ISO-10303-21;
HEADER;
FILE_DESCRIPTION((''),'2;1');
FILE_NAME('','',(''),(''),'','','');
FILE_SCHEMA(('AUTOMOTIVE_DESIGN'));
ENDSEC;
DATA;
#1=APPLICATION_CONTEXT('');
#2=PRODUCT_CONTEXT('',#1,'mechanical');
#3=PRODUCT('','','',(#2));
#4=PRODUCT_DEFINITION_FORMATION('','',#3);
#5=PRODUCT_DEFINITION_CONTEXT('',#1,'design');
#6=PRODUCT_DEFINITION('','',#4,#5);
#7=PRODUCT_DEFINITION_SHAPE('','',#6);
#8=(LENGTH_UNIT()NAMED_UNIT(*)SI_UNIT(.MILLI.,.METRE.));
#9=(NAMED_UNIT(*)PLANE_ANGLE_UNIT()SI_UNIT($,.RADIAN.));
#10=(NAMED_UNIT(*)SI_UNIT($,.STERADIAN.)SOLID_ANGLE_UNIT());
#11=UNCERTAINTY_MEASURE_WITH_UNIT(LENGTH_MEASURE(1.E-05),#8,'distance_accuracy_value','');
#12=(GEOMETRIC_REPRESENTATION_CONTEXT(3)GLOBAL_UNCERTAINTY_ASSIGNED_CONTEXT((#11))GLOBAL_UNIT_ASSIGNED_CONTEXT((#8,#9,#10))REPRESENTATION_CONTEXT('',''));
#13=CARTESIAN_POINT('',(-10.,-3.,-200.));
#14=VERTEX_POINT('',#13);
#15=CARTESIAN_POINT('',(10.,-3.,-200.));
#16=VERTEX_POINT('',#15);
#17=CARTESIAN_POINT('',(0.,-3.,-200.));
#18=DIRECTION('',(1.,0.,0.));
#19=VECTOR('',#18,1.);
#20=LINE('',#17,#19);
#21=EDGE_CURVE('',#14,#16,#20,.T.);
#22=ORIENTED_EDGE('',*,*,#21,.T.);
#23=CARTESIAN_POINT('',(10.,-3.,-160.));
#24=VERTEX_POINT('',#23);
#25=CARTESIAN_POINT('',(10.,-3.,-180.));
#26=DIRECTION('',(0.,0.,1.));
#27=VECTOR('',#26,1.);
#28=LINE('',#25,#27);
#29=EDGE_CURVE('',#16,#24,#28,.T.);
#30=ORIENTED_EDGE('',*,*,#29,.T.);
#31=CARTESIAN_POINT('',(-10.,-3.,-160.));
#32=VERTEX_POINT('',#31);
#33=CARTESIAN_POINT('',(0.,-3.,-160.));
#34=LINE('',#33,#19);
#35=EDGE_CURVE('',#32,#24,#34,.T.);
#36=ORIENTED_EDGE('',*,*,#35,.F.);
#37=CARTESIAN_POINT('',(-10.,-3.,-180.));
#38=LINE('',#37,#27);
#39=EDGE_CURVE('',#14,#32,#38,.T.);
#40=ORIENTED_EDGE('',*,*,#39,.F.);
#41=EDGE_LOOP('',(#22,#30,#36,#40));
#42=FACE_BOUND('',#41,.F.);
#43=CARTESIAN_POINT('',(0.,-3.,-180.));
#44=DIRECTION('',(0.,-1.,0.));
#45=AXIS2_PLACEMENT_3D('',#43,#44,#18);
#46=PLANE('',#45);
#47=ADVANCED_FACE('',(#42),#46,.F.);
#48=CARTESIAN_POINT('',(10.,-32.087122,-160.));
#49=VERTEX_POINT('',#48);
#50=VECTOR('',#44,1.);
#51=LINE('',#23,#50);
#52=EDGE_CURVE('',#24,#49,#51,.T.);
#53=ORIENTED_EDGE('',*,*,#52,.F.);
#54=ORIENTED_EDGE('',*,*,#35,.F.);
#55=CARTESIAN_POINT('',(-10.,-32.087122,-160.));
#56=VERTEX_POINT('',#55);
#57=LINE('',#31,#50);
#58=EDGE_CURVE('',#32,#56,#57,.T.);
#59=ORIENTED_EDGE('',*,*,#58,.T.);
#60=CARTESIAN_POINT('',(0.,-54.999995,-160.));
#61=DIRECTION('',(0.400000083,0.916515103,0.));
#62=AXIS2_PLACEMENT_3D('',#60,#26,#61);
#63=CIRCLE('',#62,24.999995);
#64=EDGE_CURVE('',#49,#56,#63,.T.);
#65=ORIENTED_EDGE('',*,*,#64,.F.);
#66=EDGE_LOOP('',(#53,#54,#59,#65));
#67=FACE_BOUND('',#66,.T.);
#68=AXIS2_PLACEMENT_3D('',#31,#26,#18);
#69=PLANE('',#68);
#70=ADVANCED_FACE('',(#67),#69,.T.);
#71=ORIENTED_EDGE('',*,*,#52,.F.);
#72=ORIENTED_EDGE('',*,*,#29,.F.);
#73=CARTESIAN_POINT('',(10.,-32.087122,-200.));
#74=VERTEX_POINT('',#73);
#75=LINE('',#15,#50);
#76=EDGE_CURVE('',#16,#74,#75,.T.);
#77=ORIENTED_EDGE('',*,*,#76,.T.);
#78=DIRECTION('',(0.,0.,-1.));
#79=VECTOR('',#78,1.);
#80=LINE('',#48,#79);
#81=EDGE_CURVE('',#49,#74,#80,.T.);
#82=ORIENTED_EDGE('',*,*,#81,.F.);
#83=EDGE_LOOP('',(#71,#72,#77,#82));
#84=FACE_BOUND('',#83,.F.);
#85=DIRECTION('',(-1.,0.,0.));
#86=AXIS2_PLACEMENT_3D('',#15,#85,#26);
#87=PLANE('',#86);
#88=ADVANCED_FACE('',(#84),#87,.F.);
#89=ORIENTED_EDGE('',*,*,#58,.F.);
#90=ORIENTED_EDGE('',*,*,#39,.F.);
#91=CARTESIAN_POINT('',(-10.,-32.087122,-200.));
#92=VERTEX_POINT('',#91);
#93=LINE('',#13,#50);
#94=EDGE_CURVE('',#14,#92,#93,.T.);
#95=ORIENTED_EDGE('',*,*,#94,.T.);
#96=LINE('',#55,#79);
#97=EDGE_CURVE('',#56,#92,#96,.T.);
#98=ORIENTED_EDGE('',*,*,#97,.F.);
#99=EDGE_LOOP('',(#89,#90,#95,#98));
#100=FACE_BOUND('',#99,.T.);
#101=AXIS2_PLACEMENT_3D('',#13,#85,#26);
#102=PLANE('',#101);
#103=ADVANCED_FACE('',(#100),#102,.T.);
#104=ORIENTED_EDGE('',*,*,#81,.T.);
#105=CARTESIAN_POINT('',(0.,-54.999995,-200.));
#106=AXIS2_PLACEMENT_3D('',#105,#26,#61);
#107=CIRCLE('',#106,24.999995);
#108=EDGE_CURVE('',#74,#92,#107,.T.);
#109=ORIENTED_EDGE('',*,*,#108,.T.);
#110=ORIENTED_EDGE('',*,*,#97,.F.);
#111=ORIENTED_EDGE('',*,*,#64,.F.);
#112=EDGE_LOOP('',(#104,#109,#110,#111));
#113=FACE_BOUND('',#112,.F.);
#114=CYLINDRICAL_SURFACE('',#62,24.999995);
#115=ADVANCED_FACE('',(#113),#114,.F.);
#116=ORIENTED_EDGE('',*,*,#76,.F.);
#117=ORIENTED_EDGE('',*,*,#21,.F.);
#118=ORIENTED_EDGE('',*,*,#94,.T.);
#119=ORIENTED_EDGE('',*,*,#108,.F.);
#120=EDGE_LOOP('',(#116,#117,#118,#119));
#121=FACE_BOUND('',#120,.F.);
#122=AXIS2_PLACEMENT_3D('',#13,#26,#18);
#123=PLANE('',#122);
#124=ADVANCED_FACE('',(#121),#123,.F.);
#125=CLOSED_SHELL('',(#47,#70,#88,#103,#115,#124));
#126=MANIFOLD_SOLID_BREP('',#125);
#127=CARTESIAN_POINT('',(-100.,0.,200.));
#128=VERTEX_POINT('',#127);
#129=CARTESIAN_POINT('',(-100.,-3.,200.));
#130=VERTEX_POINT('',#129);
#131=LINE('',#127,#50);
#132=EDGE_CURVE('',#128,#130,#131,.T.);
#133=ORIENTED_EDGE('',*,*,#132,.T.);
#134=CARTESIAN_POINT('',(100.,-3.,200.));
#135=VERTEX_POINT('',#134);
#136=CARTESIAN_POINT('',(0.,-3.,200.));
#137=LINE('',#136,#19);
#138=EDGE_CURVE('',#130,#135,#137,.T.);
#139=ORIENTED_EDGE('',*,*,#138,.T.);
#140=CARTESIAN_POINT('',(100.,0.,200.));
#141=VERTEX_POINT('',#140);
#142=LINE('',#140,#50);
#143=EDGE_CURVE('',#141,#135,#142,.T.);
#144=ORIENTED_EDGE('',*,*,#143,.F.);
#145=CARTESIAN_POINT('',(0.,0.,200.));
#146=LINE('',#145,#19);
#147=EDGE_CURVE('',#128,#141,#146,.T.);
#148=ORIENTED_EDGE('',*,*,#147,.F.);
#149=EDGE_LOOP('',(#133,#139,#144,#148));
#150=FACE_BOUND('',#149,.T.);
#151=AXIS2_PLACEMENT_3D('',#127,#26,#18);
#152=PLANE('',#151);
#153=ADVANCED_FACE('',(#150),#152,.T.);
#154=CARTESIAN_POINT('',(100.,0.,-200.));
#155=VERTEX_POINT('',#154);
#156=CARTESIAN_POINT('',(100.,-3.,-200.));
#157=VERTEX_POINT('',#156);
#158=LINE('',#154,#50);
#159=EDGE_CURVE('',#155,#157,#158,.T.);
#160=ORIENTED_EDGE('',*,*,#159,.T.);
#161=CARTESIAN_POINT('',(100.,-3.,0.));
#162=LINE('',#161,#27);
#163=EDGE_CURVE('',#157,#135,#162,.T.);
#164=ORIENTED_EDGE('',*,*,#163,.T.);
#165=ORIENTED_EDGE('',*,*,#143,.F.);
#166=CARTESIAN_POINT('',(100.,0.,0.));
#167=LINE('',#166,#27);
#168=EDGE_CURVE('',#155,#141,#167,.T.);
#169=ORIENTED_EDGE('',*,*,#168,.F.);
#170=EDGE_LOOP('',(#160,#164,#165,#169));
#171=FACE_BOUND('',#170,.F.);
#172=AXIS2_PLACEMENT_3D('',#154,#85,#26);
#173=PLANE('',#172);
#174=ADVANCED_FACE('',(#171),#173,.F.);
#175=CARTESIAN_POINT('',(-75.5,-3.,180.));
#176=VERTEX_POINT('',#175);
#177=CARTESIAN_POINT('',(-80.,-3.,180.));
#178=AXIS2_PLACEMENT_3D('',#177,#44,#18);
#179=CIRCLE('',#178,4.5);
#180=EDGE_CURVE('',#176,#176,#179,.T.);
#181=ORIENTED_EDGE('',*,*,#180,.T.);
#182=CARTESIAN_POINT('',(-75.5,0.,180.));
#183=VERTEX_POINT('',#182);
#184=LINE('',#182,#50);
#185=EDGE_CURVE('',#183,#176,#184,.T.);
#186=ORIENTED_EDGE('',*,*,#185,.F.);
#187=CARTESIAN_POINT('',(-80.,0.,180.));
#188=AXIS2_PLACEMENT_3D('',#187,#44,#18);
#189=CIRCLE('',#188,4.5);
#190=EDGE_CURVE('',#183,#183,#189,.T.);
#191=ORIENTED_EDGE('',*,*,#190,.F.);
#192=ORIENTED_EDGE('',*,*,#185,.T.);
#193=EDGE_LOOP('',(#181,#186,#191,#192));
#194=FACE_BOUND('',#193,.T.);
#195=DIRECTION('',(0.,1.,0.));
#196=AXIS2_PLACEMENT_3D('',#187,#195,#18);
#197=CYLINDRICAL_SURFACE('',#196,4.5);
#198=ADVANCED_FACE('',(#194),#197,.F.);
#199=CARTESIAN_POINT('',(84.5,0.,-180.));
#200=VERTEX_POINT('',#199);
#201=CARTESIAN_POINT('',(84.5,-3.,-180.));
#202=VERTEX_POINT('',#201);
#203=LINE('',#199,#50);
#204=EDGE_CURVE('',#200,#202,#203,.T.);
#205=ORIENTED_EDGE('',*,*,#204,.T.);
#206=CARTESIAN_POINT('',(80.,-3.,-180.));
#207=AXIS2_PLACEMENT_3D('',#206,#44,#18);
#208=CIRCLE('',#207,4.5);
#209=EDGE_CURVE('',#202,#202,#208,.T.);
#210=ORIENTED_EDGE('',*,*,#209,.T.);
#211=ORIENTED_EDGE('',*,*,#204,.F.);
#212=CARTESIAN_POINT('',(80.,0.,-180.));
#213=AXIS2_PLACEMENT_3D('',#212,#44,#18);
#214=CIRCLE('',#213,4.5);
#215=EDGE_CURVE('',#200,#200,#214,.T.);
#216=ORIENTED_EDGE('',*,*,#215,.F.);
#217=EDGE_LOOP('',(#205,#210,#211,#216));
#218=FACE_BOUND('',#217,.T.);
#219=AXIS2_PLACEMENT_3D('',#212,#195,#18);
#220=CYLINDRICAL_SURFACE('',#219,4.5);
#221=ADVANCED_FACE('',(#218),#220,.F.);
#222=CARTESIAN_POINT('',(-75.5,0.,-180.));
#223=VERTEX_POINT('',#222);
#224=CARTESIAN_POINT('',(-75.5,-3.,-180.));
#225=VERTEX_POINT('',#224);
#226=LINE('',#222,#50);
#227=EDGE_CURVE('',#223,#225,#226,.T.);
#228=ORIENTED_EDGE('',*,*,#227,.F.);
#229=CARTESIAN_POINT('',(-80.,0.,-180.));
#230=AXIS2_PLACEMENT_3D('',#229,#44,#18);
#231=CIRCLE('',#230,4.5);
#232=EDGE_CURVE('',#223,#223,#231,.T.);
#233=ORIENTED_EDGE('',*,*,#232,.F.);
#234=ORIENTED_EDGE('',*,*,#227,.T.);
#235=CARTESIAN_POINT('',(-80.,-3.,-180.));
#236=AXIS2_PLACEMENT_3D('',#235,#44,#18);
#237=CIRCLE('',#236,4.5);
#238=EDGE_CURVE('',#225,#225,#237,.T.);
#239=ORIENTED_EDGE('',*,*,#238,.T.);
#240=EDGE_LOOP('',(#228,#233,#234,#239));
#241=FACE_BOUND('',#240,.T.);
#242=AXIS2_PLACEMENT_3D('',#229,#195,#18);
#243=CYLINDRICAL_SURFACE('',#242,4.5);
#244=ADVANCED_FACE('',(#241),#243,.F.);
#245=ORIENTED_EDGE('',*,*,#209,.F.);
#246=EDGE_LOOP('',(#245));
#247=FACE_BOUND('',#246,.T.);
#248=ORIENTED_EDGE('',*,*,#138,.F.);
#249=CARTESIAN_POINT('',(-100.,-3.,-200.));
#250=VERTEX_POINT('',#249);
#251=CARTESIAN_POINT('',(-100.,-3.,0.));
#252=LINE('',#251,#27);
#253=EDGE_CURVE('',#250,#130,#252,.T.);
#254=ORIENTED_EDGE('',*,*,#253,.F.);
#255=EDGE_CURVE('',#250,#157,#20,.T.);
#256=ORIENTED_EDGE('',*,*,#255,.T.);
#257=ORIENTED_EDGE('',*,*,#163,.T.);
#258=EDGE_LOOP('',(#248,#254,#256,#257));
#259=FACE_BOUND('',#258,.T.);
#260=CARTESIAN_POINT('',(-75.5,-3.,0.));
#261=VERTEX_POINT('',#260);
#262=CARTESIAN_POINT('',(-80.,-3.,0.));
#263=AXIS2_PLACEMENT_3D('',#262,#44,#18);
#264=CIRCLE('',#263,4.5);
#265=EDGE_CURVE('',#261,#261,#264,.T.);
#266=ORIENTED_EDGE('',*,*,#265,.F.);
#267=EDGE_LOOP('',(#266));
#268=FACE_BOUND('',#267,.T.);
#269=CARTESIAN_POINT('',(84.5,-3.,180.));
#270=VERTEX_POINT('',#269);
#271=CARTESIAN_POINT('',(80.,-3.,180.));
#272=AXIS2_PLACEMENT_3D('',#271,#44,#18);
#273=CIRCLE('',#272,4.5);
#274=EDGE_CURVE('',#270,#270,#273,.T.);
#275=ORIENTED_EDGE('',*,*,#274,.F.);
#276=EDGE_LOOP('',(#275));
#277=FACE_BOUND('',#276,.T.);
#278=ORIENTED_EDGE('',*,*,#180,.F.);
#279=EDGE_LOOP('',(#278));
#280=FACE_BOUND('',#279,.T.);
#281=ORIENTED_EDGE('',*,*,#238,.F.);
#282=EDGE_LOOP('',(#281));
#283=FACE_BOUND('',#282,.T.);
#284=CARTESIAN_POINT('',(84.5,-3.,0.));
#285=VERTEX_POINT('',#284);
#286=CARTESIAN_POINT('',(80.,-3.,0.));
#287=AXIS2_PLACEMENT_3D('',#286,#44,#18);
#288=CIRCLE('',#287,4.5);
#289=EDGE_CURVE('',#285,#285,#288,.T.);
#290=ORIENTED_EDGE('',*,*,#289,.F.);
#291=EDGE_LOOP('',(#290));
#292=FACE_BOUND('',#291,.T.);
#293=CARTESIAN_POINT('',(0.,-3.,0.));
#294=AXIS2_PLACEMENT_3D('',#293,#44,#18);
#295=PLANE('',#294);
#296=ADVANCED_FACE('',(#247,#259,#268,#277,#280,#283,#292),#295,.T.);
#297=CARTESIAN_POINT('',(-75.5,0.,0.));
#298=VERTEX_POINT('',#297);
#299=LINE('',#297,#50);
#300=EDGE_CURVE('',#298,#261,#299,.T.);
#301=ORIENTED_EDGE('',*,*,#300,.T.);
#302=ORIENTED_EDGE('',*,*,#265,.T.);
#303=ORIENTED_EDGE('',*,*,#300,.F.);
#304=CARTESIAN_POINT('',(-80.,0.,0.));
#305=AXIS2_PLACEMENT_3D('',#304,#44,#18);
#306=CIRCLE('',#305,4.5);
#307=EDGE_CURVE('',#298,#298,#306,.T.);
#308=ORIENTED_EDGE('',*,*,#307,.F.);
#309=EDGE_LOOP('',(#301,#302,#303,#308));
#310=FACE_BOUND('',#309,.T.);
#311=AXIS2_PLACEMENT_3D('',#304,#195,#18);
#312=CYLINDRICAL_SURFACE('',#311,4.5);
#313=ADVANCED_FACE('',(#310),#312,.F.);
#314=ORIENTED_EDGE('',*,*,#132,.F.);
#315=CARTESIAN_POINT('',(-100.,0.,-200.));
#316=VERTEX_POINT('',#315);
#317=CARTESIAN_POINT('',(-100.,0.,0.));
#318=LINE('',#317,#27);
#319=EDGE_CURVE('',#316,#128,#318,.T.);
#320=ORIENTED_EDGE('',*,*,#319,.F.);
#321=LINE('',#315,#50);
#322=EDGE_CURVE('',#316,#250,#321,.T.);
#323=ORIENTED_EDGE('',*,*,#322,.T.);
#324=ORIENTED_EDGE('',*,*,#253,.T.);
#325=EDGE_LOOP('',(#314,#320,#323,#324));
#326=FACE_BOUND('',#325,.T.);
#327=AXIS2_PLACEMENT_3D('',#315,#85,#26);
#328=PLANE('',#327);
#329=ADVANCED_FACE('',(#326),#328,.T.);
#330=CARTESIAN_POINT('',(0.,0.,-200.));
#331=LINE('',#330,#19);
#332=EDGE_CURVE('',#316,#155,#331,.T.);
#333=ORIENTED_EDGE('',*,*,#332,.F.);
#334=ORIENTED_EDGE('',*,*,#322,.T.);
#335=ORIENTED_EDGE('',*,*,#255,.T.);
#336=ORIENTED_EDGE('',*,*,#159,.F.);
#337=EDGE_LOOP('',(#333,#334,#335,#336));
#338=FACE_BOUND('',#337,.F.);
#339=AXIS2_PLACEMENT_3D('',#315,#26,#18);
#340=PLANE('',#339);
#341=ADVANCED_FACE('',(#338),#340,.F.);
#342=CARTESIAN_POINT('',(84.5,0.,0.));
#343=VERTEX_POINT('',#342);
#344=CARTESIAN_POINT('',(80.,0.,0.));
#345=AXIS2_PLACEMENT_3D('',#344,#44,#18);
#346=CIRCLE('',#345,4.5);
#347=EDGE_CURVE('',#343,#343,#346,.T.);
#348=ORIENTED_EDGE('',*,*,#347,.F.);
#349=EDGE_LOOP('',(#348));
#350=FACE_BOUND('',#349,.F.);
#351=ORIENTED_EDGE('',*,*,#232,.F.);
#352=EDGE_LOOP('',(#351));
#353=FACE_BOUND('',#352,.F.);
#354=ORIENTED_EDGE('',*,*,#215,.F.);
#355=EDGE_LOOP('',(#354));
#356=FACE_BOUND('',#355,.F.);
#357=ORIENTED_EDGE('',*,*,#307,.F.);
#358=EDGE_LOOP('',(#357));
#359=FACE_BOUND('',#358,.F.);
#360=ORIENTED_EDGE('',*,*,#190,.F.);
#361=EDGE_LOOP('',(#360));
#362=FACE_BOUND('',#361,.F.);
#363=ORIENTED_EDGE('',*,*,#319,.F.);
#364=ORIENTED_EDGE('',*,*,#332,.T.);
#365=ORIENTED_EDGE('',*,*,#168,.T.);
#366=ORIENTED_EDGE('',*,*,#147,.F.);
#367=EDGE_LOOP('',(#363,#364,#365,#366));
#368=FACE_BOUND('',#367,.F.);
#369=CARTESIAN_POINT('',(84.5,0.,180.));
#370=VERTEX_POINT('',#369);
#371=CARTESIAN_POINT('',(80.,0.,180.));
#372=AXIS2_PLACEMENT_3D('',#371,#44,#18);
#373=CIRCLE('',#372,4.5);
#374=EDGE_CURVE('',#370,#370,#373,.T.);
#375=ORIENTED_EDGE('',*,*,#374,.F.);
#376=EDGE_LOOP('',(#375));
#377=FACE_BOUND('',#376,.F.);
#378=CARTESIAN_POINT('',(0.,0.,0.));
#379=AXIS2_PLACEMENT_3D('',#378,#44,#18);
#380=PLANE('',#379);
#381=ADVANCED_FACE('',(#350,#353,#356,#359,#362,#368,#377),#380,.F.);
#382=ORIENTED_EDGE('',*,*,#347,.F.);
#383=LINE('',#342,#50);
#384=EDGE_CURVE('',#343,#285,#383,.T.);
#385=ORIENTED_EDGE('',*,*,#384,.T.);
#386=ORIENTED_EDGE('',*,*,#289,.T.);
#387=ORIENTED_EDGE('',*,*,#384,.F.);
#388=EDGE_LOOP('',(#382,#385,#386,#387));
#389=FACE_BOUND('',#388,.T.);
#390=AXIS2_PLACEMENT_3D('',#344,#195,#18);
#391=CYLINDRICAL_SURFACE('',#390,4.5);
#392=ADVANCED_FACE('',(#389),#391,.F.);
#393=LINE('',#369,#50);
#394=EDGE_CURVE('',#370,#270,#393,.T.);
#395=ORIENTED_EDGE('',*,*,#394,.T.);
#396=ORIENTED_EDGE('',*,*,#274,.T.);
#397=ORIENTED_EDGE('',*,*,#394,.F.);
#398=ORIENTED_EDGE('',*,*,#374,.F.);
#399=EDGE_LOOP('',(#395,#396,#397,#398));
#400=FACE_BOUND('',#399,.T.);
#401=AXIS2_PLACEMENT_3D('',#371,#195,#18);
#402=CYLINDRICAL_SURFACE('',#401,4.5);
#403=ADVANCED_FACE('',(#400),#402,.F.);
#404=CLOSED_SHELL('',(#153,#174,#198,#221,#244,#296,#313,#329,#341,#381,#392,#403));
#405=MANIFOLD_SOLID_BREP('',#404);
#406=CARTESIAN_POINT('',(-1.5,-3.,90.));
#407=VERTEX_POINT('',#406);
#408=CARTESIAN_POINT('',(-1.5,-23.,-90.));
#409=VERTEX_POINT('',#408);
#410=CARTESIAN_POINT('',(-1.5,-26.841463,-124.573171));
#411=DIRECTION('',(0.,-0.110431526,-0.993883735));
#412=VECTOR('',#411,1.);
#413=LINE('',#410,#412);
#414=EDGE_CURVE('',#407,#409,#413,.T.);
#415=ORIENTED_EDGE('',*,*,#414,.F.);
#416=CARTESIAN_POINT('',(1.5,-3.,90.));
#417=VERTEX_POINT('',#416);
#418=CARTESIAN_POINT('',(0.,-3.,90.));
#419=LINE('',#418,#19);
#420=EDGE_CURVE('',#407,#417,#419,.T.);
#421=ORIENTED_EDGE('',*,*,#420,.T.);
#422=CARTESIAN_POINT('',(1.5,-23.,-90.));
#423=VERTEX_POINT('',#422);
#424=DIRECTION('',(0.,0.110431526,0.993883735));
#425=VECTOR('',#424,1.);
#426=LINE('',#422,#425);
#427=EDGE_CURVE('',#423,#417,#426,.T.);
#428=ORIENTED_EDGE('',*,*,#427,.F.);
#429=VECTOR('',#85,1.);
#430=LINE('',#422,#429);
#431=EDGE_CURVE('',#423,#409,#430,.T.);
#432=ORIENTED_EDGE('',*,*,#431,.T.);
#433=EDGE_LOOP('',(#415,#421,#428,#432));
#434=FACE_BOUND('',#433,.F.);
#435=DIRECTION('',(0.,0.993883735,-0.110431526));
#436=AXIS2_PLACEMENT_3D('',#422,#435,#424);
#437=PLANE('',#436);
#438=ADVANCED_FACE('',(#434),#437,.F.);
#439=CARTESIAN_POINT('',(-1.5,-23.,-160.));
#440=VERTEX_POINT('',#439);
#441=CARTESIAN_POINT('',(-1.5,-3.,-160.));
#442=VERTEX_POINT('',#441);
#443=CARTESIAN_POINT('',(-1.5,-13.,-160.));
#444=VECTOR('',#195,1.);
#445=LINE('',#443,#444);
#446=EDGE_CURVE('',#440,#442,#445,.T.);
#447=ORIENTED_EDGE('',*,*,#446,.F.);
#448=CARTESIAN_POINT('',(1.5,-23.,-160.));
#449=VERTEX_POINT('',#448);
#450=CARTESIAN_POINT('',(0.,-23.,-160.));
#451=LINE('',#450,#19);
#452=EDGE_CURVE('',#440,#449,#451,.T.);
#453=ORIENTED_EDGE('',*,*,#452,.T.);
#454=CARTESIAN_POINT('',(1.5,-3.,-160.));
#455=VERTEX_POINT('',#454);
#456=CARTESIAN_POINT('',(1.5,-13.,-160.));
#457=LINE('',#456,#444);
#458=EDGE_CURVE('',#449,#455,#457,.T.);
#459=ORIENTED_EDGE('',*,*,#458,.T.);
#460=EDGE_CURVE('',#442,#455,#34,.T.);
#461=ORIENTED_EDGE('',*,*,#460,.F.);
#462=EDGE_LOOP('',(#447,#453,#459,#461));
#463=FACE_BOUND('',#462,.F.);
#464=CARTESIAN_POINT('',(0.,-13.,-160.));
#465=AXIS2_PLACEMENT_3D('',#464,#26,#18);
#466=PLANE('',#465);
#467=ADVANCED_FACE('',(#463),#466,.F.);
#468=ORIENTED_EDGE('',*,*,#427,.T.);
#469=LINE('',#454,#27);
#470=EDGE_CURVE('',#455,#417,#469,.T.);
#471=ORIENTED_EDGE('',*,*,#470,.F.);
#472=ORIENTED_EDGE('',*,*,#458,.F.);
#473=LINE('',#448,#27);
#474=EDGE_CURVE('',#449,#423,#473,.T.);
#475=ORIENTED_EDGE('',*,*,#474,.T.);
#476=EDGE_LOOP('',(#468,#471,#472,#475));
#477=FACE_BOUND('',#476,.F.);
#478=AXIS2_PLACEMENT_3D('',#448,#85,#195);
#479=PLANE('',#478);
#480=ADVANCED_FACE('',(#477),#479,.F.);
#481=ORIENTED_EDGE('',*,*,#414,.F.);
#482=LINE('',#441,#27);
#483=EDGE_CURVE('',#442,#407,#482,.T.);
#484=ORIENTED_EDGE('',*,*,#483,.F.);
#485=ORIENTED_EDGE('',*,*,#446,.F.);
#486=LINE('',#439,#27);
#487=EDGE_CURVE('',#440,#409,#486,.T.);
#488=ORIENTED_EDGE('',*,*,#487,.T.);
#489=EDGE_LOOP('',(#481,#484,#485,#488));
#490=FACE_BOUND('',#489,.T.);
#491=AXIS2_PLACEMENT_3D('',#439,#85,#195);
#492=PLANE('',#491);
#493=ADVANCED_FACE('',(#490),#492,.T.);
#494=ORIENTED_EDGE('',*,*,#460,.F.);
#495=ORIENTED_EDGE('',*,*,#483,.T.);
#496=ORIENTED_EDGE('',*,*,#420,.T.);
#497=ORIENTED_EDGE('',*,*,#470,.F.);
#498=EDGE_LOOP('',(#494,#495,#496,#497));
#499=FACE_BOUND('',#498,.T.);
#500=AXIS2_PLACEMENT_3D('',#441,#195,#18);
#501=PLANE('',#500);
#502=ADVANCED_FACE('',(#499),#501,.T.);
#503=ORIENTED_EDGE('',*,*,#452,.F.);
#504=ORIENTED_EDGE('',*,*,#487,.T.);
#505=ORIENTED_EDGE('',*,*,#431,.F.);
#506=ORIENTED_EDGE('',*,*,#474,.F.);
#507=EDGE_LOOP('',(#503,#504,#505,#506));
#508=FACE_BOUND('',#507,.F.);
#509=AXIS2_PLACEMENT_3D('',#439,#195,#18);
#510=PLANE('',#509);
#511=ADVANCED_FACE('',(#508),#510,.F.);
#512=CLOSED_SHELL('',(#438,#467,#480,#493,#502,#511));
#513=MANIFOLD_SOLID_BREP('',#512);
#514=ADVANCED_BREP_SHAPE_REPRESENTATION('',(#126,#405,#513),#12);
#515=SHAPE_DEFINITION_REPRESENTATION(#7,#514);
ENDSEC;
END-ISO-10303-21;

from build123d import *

# Parameters (mm, degrees)
F0_W     = 200
F0_H     = 400
F0_R     = 4.5
F1_DEPTH = 3
F2_W     = 20
F2_H     = 40
F3_DEPTH = 30
F5_DEPTH = 42.5
F4_W     = 3
F4_H     = 20
F6_DEPTH = 250
F8_DEPTH = 25


with BuildPart() as f1:
    # F0 (on Front) → F1 (new body)
    with BuildSketch(Plane.XZ):
        Rectangle(F0_W, F0_H)
        with Locations((-80, -180)):
            Circle(F0_R, mode=Mode.SUBTRACT)
        with Locations((80, -180)):
            Circle(F0_R, mode=Mode.SUBTRACT)
        with Locations((-80, 0)):
            Circle(F0_R, mode=Mode.SUBTRACT)
        with Locations((-80, 180)):
            Circle(F0_R, mode=Mode.SUBTRACT)
        with Locations((80, 0)):
            Circle(F0_R, mode=Mode.SUBTRACT)
        with Locations((80, 180)):
            Circle(F0_R, mode=Mode.SUBTRACT)
    extrude(amount=F1_DEPTH)


with BuildPart() as f3:
    # F2 (on face) → F3 (new body)
    with BuildSketch(Plane.XZ.offset(3)):
        with Locations((0, -180)):
            Rectangle(F2_W, F2_H)
    extrude(amount=F3_DEPTH)

    # F4 (on face) → F5 (cut)
    with BuildSketch(Plane.XY.offset(-160)):
        with BuildLine():
            Line((10, -33), (10, -32.087122))
            ThreePointArc((10, -32.087122), (0, -30), (-10, -32.087122))
            Line((-10, -32.087122), (-10, -33))
            Line((-10, -33), (10, -33))
        make_face()
    extrude(amount=-F5_DEPTH, mode=Mode.SUBTRACT)


with BuildPart() as f6:
    # F4 (on face) → F6 (new body)
    with BuildSketch(Plane.XY.offset(-160)):
        with Locations((0, -13)):
            Rectangle(F4_W, F4_H)
    extrude(amount=F6_DEPTH)

    # F7 (on face) → F8 (cut)
    with BuildSketch(Plane.YZ.offset(1.5)):
        Polygon((-23, -90), (-3, 90), (-23, 90), align=None)
    extrude(amount=-F8_DEPTH, mode=Mode.SUBTRACT)


solid = Compound([f1.part, f3.part, f6.part])
